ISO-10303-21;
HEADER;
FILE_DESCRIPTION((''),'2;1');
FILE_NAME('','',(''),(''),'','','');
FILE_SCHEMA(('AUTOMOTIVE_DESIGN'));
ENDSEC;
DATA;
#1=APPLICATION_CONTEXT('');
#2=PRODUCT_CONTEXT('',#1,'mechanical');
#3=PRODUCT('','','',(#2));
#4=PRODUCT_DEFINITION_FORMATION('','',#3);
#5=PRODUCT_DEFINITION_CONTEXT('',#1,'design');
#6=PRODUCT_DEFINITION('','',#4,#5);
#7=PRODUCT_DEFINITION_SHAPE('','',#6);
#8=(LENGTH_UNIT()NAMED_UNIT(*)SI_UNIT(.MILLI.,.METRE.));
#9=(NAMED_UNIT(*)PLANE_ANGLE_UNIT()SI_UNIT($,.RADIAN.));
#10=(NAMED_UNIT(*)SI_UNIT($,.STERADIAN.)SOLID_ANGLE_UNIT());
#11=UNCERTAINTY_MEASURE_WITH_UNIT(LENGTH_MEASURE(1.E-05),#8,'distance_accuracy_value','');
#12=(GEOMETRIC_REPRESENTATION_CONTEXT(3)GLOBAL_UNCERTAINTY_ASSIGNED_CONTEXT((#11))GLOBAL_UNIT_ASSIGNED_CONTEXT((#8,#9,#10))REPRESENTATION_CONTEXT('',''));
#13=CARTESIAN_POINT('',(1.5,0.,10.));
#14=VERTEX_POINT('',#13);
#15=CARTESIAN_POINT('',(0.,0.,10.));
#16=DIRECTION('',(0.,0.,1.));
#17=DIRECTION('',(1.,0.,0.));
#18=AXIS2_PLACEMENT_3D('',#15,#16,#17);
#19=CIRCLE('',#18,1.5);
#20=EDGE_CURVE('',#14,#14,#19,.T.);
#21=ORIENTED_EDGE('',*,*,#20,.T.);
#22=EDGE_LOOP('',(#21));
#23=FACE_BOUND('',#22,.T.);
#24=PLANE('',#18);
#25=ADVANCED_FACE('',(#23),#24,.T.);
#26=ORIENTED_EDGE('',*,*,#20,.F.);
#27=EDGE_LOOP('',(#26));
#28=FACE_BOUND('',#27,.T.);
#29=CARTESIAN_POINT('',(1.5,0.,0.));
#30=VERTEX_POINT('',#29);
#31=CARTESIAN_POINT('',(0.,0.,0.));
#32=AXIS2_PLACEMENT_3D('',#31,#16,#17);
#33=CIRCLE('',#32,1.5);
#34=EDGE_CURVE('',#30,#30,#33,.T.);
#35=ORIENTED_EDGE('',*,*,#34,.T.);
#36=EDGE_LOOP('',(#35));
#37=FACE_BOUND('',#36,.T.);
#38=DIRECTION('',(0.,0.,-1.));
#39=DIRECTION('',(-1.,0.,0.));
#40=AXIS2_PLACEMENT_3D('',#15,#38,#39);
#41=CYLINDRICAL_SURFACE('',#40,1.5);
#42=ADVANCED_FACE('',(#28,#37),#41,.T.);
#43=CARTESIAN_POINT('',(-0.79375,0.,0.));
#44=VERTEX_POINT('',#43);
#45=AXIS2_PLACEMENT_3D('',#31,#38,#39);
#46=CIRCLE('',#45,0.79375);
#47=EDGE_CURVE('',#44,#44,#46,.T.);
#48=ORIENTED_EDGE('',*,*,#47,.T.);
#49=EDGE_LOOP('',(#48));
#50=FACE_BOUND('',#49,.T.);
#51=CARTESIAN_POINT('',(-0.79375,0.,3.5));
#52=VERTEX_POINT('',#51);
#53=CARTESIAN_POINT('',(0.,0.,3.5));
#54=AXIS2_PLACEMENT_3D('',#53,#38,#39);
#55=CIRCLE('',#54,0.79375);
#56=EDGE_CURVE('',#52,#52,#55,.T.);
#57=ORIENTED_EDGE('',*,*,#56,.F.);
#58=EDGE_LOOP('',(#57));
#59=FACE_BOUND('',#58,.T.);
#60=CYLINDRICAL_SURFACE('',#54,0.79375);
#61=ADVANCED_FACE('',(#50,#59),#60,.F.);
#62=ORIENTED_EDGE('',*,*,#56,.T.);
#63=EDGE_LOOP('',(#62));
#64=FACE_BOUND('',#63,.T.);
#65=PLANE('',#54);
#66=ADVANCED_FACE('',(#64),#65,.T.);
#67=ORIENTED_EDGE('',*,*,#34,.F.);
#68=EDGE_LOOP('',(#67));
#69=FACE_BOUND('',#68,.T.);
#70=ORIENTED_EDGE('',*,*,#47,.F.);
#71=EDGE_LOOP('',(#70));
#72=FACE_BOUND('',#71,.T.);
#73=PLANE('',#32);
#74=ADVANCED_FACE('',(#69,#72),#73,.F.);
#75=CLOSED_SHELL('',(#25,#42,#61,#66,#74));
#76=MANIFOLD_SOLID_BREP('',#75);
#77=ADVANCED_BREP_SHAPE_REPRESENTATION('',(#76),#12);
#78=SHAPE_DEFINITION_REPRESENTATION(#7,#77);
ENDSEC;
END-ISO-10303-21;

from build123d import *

# Parameters (mm, degrees)
SKETCH1_R           = 1.5
BOSS_EXTRUDE1_DEPTH = 10
SKETCH2_R           = 0.79375
CUT_EXTRUDE1_DEPTH  = 3.5


with BuildPart() as part:
    # Sketch1 → Boss-Extrude1 (new body)
    with BuildSketch(Plane.XY):
        Circle(SKETCH1_R)
    extrude(amount=BOSS_EXTRUDE1_DEPTH)

    # Sketch2 → Cut-Extrude1 (cut)
    with BuildSketch(Plane(origin=(0, 0, 0), x_dir=(-1, 0, 0), z_dir=(0, 0, -1))):
        Circle(SKETCH2_R)
    extrude(amount=-CUT_EXTRUDE1_DEPTH, mode=Mode.SUBTRACT)


solid = part.part
